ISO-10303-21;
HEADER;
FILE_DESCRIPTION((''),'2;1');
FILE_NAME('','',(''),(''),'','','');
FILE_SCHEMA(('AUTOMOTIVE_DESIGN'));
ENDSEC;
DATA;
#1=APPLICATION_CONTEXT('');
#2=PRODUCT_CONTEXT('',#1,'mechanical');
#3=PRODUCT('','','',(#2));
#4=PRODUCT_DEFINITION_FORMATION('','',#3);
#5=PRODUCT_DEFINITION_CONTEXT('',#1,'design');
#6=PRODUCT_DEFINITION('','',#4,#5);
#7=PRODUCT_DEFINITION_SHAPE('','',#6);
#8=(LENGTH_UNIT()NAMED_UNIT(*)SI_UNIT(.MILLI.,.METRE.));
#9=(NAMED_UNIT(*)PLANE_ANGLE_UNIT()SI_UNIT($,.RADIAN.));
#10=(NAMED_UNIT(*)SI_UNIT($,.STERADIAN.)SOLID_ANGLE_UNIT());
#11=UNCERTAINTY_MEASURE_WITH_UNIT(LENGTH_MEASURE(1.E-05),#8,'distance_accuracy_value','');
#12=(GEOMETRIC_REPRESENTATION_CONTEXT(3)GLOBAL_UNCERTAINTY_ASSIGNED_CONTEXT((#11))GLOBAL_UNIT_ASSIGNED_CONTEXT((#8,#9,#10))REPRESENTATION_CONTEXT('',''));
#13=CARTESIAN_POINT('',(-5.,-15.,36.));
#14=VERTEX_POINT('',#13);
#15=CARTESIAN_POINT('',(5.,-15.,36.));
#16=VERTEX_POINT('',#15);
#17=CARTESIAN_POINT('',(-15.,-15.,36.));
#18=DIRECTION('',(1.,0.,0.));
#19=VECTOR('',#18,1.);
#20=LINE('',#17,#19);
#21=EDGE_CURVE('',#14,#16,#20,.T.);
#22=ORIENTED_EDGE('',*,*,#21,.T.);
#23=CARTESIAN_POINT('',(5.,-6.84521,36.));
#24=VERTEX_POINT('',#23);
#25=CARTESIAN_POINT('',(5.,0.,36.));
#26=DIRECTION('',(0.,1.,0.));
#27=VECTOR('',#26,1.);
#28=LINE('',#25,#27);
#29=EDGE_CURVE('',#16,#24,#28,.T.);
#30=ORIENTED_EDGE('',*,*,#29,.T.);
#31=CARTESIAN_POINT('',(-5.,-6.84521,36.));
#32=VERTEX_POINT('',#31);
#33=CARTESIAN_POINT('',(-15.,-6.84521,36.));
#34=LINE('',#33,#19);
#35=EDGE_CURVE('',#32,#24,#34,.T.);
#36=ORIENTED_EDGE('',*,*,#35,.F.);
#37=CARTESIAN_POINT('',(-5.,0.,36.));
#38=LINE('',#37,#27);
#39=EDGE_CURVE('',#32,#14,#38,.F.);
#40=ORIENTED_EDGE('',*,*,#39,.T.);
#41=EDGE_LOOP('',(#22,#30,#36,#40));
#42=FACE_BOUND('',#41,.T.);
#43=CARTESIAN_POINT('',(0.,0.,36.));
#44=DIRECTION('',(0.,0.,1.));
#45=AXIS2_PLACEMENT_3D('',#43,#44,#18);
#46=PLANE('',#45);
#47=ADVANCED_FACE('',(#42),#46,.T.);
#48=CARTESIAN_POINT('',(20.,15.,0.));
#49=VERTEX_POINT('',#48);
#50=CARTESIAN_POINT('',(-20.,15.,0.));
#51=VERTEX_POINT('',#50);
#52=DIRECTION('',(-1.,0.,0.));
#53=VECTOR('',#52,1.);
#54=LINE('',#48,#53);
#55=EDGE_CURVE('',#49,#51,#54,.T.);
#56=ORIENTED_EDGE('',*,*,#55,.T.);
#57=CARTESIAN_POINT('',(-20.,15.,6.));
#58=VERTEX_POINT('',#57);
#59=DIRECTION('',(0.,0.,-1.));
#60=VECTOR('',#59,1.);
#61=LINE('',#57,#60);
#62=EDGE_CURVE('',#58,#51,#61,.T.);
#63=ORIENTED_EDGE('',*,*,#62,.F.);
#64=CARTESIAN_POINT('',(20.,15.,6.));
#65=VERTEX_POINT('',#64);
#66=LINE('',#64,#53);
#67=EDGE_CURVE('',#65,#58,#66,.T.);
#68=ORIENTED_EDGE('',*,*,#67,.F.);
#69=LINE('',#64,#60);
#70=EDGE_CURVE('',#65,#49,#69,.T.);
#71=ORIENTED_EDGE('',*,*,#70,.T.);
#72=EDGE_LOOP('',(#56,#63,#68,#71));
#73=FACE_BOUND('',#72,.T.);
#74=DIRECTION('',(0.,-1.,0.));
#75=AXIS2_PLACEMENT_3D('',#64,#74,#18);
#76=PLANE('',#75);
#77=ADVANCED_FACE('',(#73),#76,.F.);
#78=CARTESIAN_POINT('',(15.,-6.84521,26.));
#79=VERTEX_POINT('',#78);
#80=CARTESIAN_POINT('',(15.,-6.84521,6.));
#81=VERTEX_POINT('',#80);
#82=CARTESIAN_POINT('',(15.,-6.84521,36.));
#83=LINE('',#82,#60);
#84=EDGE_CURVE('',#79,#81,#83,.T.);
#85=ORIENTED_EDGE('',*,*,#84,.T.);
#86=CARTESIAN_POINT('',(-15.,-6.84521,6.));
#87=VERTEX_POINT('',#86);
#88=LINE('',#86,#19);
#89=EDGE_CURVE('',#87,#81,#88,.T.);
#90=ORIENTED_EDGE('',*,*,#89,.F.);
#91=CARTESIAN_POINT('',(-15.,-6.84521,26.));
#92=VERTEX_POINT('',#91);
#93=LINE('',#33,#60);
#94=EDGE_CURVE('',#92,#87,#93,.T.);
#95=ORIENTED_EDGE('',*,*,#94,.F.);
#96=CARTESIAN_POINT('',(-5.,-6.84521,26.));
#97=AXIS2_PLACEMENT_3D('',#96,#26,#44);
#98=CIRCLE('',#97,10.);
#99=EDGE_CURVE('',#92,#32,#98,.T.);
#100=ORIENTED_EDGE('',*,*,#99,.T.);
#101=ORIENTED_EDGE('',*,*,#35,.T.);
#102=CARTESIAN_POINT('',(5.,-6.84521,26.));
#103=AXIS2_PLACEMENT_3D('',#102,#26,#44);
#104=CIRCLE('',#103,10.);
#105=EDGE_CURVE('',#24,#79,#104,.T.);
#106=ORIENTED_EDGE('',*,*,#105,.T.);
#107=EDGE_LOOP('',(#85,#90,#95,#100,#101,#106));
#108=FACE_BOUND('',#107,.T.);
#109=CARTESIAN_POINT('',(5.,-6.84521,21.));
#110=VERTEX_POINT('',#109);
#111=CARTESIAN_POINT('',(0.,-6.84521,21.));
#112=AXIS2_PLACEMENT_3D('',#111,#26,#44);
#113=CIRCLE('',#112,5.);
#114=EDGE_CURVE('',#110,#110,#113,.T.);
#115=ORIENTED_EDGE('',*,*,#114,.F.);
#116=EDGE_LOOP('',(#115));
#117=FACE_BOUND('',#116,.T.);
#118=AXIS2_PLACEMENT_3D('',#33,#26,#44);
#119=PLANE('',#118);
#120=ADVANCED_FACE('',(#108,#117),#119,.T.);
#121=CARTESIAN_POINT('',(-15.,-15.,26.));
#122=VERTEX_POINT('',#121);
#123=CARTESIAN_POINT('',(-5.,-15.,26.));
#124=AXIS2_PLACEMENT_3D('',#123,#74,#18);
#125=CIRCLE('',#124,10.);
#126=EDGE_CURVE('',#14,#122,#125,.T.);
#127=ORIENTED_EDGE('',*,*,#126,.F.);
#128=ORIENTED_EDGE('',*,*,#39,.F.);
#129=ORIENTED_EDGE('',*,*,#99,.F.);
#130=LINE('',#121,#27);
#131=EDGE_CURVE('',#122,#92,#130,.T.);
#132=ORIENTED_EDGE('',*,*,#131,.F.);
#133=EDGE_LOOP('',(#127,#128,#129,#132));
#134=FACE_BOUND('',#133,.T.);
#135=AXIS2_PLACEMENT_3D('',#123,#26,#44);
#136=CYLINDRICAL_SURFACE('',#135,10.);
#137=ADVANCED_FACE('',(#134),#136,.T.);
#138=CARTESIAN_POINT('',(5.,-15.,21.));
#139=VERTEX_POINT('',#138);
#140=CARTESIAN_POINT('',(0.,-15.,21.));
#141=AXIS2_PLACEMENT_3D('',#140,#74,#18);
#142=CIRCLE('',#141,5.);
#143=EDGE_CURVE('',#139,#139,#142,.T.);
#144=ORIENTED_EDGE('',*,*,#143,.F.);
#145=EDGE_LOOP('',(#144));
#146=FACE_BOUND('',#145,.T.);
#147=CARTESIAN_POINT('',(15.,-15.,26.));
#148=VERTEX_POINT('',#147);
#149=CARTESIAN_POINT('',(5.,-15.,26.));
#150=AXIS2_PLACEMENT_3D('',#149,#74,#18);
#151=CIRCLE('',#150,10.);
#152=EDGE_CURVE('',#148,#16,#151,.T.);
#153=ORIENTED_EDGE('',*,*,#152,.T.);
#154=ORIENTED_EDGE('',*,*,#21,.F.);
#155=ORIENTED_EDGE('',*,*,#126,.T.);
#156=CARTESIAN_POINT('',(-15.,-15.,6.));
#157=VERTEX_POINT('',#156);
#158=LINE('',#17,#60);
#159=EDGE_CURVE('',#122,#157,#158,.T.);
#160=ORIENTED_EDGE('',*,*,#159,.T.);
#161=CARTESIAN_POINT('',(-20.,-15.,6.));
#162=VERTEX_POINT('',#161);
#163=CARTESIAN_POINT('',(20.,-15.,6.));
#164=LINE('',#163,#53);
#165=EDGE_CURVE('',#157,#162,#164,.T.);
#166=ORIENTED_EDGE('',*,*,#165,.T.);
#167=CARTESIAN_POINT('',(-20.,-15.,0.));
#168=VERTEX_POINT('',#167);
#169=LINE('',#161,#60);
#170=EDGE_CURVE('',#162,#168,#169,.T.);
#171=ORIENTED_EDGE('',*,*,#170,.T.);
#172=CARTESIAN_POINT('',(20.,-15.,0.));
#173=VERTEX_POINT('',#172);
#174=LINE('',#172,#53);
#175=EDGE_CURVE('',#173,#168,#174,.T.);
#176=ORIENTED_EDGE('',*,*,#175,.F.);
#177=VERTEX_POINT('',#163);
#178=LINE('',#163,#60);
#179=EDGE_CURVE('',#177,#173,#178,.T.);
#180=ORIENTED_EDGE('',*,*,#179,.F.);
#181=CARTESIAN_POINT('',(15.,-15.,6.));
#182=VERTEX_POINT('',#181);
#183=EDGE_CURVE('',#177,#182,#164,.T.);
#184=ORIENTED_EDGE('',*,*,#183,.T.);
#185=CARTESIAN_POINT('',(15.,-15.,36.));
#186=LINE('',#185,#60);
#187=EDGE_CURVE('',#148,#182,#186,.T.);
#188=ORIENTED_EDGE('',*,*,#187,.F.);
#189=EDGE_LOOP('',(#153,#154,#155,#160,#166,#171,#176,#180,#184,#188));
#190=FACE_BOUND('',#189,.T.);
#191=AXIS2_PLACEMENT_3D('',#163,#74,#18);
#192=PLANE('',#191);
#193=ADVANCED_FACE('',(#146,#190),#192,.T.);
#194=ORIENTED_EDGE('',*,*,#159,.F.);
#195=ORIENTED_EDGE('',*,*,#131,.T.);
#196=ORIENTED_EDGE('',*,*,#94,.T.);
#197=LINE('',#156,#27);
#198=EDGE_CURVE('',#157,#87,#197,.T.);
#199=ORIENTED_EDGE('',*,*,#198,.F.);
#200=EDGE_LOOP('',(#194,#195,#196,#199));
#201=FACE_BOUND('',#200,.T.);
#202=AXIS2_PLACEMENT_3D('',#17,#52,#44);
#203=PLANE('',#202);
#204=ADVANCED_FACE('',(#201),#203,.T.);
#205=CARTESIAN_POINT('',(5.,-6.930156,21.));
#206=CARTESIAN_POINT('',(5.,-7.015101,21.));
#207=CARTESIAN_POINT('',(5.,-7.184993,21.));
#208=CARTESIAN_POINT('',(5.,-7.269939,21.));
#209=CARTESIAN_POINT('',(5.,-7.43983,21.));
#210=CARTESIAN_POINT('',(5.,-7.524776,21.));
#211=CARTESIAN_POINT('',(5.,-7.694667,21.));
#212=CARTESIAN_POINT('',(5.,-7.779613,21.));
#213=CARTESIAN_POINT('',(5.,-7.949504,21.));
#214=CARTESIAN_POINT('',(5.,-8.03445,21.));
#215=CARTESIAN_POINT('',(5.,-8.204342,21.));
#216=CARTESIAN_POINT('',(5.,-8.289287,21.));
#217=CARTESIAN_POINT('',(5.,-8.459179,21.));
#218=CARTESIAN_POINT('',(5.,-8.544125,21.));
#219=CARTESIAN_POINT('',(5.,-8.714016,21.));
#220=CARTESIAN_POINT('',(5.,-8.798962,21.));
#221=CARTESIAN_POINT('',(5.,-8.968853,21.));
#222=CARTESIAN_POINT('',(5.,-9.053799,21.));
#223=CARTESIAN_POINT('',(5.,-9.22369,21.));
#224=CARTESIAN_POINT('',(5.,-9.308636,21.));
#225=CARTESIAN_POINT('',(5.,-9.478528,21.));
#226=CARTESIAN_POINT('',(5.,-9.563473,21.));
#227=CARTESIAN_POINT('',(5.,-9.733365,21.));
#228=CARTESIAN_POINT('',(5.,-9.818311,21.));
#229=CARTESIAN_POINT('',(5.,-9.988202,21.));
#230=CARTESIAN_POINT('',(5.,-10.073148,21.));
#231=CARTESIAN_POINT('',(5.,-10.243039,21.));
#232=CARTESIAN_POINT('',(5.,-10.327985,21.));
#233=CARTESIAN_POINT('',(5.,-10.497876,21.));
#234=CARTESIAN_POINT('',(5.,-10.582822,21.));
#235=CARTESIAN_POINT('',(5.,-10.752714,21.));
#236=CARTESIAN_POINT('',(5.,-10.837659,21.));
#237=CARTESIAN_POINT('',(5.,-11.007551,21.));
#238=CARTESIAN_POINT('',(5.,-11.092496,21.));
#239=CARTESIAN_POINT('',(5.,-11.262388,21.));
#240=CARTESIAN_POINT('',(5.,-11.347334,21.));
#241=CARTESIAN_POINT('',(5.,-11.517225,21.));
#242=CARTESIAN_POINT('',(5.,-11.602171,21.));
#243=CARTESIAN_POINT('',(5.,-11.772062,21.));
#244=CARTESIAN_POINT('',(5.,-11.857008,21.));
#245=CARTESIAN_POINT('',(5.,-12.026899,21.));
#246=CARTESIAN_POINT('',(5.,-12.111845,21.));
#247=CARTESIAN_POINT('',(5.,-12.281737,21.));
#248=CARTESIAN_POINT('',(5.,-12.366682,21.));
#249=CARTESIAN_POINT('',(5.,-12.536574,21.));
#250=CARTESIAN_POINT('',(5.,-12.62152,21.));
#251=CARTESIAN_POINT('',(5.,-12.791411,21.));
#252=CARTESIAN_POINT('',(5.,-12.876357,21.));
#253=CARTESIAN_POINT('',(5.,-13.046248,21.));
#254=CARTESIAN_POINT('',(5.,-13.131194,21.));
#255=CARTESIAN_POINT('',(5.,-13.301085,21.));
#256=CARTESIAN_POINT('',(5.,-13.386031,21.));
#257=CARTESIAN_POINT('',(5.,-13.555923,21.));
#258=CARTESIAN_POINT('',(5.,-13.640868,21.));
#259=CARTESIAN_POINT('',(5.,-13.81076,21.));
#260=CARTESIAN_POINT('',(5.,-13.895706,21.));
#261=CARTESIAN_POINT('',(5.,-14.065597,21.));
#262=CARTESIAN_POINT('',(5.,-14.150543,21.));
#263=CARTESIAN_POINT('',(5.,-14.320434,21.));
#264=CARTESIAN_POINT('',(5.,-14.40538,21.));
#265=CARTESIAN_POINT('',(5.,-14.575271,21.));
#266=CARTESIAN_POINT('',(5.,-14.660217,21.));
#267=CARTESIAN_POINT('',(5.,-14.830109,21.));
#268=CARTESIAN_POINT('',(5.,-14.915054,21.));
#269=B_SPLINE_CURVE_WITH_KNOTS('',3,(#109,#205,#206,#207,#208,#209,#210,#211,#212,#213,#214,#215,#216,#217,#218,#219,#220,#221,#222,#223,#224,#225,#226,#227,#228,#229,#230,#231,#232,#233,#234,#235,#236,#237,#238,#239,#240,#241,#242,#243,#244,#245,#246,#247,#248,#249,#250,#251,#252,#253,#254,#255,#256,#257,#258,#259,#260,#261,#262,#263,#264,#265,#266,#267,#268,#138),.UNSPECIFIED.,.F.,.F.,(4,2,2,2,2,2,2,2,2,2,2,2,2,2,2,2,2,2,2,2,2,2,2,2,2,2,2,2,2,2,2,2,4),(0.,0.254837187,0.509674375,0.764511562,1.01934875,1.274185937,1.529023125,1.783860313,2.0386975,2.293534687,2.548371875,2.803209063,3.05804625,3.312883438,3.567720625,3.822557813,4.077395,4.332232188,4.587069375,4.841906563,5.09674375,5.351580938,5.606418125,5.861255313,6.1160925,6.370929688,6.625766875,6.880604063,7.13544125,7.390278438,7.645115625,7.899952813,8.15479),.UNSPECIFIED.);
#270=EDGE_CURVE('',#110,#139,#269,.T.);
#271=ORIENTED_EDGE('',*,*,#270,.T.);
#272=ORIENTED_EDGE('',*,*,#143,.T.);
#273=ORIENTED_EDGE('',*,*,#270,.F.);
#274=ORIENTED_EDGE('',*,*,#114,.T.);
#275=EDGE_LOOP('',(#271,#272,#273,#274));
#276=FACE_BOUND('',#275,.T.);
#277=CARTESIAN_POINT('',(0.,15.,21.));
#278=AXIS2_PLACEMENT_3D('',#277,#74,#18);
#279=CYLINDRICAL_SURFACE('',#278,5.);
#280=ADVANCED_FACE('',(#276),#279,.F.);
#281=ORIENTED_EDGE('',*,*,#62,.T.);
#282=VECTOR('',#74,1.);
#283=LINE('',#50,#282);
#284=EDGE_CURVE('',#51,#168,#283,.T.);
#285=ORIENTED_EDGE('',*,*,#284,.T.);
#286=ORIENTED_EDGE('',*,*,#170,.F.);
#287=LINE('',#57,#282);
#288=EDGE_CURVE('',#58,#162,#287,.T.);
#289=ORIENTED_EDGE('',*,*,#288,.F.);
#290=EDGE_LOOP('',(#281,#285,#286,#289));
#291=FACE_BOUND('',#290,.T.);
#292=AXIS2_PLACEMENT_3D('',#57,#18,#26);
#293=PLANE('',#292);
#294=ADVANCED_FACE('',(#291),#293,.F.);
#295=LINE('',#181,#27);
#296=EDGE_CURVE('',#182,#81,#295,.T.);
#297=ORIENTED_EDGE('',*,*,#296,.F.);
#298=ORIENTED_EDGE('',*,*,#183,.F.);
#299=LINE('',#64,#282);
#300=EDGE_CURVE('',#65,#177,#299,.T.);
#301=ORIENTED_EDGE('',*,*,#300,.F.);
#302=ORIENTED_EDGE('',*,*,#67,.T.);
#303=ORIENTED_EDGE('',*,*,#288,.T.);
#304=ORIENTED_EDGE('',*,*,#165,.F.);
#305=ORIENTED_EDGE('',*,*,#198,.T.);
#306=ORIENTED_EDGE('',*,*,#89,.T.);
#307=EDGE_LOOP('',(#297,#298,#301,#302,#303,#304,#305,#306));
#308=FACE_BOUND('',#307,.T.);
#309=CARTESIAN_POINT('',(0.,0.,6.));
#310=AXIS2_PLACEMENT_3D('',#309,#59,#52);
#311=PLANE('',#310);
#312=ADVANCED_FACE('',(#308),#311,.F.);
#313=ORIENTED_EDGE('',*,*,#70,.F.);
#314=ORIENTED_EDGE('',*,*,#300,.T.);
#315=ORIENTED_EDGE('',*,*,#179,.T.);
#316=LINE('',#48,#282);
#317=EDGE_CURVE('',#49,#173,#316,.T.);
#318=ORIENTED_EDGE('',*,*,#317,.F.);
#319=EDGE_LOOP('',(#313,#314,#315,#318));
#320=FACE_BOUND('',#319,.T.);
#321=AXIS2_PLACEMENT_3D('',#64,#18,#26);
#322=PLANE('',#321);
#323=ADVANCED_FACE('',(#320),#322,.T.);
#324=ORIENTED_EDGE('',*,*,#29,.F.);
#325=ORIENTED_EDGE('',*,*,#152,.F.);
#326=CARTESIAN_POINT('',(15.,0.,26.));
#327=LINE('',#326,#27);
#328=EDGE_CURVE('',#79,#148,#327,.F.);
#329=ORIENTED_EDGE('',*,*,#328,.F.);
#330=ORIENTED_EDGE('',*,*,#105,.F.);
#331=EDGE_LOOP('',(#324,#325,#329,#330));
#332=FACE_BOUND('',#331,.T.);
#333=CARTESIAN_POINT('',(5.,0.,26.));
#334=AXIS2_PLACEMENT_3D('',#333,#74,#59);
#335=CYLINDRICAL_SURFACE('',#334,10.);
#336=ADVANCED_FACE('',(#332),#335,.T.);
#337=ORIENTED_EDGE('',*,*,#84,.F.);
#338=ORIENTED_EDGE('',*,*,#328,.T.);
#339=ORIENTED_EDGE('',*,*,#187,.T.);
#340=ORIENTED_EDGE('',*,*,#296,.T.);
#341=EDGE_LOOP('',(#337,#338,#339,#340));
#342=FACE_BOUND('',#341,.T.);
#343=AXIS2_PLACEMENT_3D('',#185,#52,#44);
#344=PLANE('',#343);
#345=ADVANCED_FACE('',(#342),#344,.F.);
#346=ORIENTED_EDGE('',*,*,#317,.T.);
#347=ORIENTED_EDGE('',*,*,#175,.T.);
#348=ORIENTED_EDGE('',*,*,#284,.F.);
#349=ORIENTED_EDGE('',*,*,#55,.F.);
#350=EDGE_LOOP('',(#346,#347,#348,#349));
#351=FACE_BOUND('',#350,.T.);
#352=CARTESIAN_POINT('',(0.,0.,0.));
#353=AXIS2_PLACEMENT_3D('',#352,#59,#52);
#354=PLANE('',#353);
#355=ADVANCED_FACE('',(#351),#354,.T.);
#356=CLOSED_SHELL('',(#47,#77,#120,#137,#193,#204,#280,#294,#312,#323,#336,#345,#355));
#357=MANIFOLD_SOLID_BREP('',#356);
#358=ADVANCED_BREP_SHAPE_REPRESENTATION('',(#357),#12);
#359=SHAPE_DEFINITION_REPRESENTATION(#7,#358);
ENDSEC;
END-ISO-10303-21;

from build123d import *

# Parameters (mm, degrees)
SKETCH_1_W          = 40
SKETCH_1_H          = 30
EXTRUDE_2_DEPTH     = 6
SKETCH_2_W          = 30
SKETCH_2_H          = 8.15479
EXTRUDE_4_DEPTH     = 30
SKETCH_4_R          = 5
CUT_EXTRUDE_1_DEPTH = 51.950956811
FILLET_1_R          = 10
FILLET_2_R          = 10


with BuildPart() as part:
    # Эскиз1 → Бобышка-Вытянуть2 (new body)
    with BuildSketch(Plane.XY):
        Rectangle(SKETCH_1_W, SKETCH_1_H)
    extrude(amount=EXTRUDE_2_DEPTH)

    # Эскиз2 → Бобышка-Вытянуть4 (add)
    with BuildSketch(Plane.XY.offset(6)):
        with Locations((0, -10.922605)):
            Rectangle(SKETCH_2_W, SKETCH_2_H)
    extrude(amount=EXTRUDE_4_DEPTH)

    # Эскиз4 → Вырез-Вытянуть1 (cut, through all)
    with BuildSketch(Plane(origin=(0, -15, 0), x_dir=(-1, 0, 0), z_dir=(0, -1, 0))):
        with Locations(Location((0, -21, 0), (0, 0, 180))):
            Circle(SKETCH_4_R)
    extrude(amount=-CUT_EXTRUDE_1_DEPTH, mode=Mode.SUBTRACT)

    # Скругление1
    fillet_1_edges = [part.edges().sort_by_distance(p)[0] for p in [
        (-15, -10.922605, 36),
    ]]
    fillet(fillet_1_edges, radius=FILLET_1_R)

    # Скругление2
    fillet_2_edges = [part.edges().sort_by_distance(p)[0] for p in [
        (15, -10.922605, 36),
    ]]
    fillet(fillet_2_edges, radius=FILLET_2_R)


solid = part.part
